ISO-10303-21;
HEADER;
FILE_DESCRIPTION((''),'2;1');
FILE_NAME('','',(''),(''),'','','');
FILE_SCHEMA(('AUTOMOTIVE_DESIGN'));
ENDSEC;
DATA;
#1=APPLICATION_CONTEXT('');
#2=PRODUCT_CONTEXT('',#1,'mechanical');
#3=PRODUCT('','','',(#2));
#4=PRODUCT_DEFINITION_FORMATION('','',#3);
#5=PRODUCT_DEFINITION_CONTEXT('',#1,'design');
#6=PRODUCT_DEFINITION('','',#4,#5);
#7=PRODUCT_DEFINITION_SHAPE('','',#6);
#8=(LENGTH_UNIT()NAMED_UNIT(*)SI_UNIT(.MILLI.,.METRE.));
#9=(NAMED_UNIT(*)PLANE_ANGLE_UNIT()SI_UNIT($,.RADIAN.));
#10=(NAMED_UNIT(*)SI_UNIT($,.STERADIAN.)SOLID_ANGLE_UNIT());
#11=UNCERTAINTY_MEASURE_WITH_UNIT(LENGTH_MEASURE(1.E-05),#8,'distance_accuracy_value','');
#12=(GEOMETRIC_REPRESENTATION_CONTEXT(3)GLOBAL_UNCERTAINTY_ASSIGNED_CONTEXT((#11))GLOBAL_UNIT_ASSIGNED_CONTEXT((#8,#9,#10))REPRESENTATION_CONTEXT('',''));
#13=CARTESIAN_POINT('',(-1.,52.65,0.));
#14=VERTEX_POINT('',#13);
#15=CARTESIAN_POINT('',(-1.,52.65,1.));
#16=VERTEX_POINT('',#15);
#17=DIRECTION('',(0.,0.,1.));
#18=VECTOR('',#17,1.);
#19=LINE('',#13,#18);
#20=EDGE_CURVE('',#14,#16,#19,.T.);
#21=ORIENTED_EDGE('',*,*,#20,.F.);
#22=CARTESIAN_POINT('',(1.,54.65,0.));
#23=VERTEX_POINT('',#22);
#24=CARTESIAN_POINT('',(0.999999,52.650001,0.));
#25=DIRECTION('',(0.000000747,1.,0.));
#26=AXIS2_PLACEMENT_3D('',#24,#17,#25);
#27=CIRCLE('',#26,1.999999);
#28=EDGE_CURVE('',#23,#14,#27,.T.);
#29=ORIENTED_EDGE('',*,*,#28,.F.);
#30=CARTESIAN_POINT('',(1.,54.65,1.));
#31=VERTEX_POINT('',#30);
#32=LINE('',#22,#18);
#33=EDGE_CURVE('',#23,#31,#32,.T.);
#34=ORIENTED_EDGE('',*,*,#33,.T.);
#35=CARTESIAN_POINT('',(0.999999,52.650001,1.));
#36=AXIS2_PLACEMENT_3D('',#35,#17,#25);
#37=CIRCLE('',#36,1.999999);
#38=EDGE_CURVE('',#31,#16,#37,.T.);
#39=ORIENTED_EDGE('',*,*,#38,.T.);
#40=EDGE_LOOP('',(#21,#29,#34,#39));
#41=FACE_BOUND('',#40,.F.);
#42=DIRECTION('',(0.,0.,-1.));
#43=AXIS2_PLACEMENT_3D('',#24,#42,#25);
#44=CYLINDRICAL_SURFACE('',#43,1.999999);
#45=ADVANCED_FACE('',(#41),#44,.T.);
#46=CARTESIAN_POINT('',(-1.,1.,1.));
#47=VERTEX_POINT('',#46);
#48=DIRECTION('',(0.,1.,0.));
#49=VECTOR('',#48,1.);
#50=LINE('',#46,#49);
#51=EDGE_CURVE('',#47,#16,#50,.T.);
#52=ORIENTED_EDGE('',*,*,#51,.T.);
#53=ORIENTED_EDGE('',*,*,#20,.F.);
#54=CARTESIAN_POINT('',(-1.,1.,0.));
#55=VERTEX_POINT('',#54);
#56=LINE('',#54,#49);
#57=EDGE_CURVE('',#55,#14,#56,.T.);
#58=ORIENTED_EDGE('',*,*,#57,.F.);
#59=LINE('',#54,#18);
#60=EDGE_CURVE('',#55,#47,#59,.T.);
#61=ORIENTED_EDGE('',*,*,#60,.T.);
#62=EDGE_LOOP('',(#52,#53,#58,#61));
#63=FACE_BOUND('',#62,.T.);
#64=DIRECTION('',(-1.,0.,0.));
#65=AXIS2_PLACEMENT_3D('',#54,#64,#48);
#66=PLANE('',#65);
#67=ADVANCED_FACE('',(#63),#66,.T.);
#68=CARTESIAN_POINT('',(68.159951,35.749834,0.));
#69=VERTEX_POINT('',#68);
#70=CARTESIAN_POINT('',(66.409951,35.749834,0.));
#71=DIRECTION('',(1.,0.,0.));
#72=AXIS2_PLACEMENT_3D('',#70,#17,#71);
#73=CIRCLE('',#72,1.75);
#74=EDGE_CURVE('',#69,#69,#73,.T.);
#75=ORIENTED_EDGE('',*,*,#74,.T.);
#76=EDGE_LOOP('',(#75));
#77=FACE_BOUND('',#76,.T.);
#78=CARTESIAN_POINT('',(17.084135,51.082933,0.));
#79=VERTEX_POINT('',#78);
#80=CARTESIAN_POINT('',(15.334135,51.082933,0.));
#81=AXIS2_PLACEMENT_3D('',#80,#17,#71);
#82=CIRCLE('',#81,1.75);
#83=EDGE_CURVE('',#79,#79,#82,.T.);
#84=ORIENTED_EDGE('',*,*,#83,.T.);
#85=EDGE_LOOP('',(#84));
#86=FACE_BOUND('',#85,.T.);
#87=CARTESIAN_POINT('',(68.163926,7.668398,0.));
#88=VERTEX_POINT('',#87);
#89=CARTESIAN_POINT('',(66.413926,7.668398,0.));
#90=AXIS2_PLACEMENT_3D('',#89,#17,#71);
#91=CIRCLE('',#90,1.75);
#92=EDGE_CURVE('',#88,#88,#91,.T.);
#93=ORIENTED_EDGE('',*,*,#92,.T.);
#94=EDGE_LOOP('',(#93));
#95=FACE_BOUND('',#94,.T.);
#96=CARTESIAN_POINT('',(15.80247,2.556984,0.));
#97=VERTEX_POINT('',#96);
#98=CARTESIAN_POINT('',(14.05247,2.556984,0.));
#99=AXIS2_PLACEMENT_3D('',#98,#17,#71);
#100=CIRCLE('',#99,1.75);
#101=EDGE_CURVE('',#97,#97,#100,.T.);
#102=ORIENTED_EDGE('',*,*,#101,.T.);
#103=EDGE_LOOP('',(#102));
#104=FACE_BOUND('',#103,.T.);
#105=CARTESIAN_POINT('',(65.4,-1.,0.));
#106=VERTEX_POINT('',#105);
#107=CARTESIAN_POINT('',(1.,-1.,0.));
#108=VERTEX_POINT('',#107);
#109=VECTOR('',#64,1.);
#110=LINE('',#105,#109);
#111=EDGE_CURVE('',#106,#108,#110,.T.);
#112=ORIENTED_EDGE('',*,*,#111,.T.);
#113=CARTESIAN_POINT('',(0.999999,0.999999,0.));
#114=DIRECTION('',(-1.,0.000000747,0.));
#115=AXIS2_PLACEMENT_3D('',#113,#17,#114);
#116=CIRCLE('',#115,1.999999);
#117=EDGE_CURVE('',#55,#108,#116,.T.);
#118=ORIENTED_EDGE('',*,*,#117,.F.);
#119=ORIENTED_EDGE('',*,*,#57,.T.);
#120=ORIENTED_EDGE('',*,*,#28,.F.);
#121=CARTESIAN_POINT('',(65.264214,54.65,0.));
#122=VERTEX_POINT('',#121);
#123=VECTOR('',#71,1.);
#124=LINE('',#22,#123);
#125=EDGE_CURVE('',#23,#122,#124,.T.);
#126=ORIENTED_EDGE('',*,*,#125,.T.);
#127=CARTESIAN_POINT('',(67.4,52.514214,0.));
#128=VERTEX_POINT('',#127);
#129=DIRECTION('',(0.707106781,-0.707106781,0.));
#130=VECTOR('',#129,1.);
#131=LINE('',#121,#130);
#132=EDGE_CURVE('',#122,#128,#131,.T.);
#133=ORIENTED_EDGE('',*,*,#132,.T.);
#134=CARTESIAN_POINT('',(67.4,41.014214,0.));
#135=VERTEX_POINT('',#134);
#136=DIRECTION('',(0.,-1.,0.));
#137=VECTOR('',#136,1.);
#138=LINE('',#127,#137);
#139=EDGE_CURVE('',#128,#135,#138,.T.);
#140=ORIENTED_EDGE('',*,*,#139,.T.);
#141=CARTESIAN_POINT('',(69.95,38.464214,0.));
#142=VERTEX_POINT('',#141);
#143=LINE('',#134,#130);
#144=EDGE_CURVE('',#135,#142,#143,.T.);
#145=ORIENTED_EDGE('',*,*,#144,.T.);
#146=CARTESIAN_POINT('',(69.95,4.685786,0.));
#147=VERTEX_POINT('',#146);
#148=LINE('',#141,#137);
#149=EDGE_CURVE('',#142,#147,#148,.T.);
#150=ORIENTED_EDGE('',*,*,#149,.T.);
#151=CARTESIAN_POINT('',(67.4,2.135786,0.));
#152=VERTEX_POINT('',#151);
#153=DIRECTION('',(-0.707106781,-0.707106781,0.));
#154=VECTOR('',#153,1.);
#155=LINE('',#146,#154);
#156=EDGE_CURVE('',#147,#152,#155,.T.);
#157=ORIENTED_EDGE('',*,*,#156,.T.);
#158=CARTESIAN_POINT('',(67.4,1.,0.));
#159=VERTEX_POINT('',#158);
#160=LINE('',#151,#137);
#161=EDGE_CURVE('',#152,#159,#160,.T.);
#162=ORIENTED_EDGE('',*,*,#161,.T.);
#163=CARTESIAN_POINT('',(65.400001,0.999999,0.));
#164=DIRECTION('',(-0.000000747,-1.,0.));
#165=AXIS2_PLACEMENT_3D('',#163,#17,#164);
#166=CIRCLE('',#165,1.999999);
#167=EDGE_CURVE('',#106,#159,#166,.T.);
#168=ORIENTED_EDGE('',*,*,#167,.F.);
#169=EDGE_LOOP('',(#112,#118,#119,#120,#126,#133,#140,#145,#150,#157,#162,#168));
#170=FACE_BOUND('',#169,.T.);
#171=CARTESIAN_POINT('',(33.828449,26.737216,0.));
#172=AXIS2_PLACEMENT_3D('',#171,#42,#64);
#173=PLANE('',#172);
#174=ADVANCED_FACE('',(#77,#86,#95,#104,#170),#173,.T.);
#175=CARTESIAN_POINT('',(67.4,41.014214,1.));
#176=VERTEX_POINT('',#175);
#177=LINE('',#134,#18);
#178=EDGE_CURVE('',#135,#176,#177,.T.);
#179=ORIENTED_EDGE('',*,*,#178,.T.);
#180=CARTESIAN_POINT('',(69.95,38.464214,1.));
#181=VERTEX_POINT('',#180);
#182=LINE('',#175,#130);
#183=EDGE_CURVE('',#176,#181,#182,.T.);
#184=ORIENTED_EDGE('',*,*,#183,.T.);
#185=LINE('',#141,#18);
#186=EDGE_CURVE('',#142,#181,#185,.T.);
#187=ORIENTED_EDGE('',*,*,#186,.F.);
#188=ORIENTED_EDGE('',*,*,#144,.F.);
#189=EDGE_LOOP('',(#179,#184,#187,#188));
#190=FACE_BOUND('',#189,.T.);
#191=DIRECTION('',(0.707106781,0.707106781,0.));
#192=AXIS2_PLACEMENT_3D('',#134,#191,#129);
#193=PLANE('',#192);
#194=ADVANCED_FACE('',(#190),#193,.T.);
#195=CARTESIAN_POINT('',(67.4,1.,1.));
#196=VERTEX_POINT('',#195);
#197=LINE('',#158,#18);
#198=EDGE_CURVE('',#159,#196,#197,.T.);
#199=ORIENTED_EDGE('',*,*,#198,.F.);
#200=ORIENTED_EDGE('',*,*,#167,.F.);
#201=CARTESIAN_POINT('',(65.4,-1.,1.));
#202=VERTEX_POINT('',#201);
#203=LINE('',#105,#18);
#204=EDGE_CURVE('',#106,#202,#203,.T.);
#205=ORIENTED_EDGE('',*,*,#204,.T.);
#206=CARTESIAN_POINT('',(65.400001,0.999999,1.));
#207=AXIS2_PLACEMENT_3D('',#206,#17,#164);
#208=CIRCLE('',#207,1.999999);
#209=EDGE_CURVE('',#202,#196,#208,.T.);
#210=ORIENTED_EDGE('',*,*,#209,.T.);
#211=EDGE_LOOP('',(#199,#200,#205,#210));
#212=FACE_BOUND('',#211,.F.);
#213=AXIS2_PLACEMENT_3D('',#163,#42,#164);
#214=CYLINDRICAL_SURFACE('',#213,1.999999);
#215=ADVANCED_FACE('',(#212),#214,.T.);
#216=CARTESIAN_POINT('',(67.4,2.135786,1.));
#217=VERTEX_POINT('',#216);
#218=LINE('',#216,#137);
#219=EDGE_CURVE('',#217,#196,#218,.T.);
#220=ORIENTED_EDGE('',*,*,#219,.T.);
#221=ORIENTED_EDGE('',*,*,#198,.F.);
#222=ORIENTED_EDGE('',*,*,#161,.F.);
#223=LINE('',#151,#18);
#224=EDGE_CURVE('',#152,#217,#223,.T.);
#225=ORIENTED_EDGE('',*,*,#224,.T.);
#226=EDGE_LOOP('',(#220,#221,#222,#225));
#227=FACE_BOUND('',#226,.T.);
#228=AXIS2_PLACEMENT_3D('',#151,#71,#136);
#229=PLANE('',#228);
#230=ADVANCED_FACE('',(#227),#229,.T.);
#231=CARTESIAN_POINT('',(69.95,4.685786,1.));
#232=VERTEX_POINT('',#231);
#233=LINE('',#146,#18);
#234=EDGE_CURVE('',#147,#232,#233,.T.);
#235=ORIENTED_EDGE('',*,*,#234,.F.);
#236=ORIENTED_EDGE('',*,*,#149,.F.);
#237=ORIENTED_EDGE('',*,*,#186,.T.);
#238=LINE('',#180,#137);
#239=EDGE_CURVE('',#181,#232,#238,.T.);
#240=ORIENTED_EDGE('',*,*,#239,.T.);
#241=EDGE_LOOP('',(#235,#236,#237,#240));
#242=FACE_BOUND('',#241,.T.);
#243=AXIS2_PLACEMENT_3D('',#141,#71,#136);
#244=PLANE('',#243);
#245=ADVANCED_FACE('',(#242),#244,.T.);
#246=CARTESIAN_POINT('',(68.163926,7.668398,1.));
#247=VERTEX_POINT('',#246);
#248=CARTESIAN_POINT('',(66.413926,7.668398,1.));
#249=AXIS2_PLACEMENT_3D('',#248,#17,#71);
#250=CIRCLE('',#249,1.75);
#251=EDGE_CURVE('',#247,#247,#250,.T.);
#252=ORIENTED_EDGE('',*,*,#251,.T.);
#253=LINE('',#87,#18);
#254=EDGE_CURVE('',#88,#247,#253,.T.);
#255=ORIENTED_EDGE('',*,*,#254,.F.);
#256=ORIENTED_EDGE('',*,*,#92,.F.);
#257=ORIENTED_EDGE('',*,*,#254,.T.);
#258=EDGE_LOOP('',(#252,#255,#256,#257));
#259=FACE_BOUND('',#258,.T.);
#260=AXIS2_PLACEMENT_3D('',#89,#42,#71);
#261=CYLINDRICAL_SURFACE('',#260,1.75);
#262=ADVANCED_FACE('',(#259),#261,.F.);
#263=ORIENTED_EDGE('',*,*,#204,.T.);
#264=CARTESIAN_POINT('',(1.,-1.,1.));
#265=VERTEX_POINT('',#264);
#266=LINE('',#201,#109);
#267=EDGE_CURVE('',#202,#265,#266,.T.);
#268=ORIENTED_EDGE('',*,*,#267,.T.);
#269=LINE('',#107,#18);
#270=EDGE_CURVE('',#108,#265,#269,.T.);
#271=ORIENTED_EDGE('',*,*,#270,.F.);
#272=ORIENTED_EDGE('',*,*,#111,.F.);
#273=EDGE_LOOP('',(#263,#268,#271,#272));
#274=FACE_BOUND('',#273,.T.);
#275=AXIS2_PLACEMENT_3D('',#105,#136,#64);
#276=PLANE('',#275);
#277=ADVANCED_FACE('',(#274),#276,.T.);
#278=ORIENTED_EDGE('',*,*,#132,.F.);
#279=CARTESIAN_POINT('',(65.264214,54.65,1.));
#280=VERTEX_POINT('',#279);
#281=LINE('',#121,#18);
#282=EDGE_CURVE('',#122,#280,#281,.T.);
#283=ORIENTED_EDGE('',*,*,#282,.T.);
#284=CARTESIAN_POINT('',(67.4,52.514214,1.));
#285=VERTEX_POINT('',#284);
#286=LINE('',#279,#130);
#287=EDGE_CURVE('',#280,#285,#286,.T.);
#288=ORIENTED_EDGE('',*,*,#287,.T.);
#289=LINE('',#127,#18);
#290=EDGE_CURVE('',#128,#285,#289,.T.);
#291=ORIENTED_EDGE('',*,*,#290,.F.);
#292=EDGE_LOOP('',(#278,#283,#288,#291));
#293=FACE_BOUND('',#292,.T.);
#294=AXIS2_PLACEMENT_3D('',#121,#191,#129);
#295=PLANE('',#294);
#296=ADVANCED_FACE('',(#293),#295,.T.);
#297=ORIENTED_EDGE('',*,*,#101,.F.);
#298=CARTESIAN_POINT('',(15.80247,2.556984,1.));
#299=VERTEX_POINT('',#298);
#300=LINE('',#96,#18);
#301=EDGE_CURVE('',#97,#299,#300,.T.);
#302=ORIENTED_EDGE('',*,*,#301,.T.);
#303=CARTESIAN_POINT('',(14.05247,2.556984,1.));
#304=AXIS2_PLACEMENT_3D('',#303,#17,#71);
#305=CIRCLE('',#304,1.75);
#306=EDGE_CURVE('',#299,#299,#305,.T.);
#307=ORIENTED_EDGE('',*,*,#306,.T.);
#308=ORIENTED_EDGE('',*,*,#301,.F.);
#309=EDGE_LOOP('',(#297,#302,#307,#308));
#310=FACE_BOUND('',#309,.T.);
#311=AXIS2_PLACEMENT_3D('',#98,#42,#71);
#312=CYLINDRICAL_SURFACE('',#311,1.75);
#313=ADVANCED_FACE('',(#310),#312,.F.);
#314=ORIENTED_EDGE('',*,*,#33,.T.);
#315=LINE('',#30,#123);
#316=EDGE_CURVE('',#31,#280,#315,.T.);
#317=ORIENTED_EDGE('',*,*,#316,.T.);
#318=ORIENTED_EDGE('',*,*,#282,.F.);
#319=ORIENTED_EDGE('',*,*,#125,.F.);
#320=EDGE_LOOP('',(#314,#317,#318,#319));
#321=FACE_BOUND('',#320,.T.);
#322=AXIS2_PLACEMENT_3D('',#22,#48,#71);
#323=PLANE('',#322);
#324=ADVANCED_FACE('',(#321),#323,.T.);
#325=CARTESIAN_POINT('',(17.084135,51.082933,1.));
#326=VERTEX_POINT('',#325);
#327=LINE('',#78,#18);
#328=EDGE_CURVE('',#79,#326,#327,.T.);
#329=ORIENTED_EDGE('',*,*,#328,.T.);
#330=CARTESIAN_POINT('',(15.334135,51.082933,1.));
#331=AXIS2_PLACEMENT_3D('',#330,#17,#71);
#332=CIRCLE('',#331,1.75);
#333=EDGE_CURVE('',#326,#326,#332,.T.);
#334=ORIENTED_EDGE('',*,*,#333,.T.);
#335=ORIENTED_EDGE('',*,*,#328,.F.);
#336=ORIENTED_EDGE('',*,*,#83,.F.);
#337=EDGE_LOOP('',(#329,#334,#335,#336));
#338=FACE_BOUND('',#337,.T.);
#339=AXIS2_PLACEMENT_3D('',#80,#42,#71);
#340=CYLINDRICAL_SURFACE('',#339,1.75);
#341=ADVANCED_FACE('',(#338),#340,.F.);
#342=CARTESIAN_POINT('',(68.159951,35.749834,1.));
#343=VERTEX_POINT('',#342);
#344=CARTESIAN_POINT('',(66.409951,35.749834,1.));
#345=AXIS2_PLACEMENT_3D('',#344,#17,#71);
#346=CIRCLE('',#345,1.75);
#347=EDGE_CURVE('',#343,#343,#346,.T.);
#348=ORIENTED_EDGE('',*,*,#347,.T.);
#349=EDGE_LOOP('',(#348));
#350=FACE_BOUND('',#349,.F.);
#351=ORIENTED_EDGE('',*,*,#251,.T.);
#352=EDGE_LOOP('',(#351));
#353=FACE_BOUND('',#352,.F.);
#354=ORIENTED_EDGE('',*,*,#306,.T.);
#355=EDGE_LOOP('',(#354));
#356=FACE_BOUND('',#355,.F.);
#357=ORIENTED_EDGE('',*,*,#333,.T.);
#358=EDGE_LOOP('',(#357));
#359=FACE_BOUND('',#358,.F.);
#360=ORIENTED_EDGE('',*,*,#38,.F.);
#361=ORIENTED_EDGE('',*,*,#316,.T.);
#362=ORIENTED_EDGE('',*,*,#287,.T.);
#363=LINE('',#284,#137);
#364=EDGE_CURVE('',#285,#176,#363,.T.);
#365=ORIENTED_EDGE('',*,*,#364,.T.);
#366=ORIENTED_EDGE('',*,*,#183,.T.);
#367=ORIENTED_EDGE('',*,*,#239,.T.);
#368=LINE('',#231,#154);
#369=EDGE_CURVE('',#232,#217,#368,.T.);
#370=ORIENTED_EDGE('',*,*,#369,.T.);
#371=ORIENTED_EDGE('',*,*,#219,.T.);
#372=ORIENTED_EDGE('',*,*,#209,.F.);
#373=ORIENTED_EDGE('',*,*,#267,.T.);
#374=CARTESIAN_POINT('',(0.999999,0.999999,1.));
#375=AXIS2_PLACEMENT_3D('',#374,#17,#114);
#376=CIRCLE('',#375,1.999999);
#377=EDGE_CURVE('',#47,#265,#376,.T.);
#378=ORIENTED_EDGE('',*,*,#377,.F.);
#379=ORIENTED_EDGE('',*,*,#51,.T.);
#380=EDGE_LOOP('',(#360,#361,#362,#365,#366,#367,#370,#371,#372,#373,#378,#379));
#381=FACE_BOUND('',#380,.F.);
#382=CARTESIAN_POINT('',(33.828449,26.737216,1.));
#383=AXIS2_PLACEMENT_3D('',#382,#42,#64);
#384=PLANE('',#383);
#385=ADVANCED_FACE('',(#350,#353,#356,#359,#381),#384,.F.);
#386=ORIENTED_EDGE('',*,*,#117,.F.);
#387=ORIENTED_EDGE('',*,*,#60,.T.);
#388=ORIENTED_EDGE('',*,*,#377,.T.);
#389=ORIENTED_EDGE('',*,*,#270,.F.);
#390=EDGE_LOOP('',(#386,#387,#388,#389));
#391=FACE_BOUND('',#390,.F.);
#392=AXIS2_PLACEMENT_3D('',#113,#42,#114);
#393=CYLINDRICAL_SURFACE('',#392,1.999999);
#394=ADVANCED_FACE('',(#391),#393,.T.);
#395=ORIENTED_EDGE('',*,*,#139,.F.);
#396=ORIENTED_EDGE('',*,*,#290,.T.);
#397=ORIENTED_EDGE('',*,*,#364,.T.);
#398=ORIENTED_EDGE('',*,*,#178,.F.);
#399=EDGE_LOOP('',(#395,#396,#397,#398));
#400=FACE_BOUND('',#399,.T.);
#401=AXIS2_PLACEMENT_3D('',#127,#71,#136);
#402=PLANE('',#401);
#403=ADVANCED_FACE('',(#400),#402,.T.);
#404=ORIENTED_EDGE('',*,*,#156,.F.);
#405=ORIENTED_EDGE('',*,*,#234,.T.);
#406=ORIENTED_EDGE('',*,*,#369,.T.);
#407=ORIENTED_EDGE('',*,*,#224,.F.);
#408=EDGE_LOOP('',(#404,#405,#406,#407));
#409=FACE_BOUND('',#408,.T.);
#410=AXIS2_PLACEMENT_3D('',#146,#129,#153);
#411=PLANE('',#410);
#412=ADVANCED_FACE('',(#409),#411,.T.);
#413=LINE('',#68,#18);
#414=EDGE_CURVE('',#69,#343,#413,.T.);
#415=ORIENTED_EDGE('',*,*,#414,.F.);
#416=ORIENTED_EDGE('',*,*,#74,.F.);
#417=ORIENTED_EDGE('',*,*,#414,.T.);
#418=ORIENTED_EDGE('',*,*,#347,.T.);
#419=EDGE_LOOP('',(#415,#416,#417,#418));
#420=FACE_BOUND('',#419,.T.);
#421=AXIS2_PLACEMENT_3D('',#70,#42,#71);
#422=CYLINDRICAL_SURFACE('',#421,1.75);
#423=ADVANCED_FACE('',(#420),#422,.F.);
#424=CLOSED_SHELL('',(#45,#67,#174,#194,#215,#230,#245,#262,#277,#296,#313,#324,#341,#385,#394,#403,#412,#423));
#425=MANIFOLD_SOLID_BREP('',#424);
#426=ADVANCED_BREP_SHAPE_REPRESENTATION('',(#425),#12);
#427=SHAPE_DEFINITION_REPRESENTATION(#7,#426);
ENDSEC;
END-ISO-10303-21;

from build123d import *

# Parameters (mm, degrees)
SKETCH_R      = 1.75
EXTRUDE_DEPTH = 1


with BuildPart() as part:
    # Sketch → Extrude (new body)
    with BuildSketch(Plane.XY):
        with BuildLine():
            Line((65.264214, 54.65), (67.4, 52.514214))
            Line((67.4, 52.514214), (67.4, 41.014214))
            Line((67.4, 41.014214), (69.95, 38.464214))
            Line((69.95, 38.464214), (69.95, 4.685786))
            Line((69.95, 4.685786), (67.4, 2.135786))
            Line((67.4, 2.135786), (67.4, 1))
            ThreePointArc((65.4, -1), (66.814214, -0.414214), (67.4, 1))
            Line((65.4, -1), (1, -1))
            ThreePointArc((-1, 1), (-0.414214, -0.414214), (1, -1))
            Line((-1, 1), (-1, 52.65))
            ThreePointArc((1, 54.65), (-0.414214, 54.064214), (-1, 52.65))
            Line((1, 54.65), (65.264214, 54.65))
        make_face()
        with Locations((14.05247, 2.556984)):
            Circle(SKETCH_R, mode=Mode.SUBTRACT)
        with Locations((66.413926, 7.668398)):
            Circle(SKETCH_R, mode=Mode.SUBTRACT)
        with Locations((66.409951, 35.749834)):
            Circle(SKETCH_R, mode=Mode.SUBTRACT)
        with Locations((15.334135, 51.082933)):
            Circle(SKETCH_R, mode=Mode.SUBTRACT)
    extrude(amount=EXTRUDE_DEPTH)


solid = part.part
